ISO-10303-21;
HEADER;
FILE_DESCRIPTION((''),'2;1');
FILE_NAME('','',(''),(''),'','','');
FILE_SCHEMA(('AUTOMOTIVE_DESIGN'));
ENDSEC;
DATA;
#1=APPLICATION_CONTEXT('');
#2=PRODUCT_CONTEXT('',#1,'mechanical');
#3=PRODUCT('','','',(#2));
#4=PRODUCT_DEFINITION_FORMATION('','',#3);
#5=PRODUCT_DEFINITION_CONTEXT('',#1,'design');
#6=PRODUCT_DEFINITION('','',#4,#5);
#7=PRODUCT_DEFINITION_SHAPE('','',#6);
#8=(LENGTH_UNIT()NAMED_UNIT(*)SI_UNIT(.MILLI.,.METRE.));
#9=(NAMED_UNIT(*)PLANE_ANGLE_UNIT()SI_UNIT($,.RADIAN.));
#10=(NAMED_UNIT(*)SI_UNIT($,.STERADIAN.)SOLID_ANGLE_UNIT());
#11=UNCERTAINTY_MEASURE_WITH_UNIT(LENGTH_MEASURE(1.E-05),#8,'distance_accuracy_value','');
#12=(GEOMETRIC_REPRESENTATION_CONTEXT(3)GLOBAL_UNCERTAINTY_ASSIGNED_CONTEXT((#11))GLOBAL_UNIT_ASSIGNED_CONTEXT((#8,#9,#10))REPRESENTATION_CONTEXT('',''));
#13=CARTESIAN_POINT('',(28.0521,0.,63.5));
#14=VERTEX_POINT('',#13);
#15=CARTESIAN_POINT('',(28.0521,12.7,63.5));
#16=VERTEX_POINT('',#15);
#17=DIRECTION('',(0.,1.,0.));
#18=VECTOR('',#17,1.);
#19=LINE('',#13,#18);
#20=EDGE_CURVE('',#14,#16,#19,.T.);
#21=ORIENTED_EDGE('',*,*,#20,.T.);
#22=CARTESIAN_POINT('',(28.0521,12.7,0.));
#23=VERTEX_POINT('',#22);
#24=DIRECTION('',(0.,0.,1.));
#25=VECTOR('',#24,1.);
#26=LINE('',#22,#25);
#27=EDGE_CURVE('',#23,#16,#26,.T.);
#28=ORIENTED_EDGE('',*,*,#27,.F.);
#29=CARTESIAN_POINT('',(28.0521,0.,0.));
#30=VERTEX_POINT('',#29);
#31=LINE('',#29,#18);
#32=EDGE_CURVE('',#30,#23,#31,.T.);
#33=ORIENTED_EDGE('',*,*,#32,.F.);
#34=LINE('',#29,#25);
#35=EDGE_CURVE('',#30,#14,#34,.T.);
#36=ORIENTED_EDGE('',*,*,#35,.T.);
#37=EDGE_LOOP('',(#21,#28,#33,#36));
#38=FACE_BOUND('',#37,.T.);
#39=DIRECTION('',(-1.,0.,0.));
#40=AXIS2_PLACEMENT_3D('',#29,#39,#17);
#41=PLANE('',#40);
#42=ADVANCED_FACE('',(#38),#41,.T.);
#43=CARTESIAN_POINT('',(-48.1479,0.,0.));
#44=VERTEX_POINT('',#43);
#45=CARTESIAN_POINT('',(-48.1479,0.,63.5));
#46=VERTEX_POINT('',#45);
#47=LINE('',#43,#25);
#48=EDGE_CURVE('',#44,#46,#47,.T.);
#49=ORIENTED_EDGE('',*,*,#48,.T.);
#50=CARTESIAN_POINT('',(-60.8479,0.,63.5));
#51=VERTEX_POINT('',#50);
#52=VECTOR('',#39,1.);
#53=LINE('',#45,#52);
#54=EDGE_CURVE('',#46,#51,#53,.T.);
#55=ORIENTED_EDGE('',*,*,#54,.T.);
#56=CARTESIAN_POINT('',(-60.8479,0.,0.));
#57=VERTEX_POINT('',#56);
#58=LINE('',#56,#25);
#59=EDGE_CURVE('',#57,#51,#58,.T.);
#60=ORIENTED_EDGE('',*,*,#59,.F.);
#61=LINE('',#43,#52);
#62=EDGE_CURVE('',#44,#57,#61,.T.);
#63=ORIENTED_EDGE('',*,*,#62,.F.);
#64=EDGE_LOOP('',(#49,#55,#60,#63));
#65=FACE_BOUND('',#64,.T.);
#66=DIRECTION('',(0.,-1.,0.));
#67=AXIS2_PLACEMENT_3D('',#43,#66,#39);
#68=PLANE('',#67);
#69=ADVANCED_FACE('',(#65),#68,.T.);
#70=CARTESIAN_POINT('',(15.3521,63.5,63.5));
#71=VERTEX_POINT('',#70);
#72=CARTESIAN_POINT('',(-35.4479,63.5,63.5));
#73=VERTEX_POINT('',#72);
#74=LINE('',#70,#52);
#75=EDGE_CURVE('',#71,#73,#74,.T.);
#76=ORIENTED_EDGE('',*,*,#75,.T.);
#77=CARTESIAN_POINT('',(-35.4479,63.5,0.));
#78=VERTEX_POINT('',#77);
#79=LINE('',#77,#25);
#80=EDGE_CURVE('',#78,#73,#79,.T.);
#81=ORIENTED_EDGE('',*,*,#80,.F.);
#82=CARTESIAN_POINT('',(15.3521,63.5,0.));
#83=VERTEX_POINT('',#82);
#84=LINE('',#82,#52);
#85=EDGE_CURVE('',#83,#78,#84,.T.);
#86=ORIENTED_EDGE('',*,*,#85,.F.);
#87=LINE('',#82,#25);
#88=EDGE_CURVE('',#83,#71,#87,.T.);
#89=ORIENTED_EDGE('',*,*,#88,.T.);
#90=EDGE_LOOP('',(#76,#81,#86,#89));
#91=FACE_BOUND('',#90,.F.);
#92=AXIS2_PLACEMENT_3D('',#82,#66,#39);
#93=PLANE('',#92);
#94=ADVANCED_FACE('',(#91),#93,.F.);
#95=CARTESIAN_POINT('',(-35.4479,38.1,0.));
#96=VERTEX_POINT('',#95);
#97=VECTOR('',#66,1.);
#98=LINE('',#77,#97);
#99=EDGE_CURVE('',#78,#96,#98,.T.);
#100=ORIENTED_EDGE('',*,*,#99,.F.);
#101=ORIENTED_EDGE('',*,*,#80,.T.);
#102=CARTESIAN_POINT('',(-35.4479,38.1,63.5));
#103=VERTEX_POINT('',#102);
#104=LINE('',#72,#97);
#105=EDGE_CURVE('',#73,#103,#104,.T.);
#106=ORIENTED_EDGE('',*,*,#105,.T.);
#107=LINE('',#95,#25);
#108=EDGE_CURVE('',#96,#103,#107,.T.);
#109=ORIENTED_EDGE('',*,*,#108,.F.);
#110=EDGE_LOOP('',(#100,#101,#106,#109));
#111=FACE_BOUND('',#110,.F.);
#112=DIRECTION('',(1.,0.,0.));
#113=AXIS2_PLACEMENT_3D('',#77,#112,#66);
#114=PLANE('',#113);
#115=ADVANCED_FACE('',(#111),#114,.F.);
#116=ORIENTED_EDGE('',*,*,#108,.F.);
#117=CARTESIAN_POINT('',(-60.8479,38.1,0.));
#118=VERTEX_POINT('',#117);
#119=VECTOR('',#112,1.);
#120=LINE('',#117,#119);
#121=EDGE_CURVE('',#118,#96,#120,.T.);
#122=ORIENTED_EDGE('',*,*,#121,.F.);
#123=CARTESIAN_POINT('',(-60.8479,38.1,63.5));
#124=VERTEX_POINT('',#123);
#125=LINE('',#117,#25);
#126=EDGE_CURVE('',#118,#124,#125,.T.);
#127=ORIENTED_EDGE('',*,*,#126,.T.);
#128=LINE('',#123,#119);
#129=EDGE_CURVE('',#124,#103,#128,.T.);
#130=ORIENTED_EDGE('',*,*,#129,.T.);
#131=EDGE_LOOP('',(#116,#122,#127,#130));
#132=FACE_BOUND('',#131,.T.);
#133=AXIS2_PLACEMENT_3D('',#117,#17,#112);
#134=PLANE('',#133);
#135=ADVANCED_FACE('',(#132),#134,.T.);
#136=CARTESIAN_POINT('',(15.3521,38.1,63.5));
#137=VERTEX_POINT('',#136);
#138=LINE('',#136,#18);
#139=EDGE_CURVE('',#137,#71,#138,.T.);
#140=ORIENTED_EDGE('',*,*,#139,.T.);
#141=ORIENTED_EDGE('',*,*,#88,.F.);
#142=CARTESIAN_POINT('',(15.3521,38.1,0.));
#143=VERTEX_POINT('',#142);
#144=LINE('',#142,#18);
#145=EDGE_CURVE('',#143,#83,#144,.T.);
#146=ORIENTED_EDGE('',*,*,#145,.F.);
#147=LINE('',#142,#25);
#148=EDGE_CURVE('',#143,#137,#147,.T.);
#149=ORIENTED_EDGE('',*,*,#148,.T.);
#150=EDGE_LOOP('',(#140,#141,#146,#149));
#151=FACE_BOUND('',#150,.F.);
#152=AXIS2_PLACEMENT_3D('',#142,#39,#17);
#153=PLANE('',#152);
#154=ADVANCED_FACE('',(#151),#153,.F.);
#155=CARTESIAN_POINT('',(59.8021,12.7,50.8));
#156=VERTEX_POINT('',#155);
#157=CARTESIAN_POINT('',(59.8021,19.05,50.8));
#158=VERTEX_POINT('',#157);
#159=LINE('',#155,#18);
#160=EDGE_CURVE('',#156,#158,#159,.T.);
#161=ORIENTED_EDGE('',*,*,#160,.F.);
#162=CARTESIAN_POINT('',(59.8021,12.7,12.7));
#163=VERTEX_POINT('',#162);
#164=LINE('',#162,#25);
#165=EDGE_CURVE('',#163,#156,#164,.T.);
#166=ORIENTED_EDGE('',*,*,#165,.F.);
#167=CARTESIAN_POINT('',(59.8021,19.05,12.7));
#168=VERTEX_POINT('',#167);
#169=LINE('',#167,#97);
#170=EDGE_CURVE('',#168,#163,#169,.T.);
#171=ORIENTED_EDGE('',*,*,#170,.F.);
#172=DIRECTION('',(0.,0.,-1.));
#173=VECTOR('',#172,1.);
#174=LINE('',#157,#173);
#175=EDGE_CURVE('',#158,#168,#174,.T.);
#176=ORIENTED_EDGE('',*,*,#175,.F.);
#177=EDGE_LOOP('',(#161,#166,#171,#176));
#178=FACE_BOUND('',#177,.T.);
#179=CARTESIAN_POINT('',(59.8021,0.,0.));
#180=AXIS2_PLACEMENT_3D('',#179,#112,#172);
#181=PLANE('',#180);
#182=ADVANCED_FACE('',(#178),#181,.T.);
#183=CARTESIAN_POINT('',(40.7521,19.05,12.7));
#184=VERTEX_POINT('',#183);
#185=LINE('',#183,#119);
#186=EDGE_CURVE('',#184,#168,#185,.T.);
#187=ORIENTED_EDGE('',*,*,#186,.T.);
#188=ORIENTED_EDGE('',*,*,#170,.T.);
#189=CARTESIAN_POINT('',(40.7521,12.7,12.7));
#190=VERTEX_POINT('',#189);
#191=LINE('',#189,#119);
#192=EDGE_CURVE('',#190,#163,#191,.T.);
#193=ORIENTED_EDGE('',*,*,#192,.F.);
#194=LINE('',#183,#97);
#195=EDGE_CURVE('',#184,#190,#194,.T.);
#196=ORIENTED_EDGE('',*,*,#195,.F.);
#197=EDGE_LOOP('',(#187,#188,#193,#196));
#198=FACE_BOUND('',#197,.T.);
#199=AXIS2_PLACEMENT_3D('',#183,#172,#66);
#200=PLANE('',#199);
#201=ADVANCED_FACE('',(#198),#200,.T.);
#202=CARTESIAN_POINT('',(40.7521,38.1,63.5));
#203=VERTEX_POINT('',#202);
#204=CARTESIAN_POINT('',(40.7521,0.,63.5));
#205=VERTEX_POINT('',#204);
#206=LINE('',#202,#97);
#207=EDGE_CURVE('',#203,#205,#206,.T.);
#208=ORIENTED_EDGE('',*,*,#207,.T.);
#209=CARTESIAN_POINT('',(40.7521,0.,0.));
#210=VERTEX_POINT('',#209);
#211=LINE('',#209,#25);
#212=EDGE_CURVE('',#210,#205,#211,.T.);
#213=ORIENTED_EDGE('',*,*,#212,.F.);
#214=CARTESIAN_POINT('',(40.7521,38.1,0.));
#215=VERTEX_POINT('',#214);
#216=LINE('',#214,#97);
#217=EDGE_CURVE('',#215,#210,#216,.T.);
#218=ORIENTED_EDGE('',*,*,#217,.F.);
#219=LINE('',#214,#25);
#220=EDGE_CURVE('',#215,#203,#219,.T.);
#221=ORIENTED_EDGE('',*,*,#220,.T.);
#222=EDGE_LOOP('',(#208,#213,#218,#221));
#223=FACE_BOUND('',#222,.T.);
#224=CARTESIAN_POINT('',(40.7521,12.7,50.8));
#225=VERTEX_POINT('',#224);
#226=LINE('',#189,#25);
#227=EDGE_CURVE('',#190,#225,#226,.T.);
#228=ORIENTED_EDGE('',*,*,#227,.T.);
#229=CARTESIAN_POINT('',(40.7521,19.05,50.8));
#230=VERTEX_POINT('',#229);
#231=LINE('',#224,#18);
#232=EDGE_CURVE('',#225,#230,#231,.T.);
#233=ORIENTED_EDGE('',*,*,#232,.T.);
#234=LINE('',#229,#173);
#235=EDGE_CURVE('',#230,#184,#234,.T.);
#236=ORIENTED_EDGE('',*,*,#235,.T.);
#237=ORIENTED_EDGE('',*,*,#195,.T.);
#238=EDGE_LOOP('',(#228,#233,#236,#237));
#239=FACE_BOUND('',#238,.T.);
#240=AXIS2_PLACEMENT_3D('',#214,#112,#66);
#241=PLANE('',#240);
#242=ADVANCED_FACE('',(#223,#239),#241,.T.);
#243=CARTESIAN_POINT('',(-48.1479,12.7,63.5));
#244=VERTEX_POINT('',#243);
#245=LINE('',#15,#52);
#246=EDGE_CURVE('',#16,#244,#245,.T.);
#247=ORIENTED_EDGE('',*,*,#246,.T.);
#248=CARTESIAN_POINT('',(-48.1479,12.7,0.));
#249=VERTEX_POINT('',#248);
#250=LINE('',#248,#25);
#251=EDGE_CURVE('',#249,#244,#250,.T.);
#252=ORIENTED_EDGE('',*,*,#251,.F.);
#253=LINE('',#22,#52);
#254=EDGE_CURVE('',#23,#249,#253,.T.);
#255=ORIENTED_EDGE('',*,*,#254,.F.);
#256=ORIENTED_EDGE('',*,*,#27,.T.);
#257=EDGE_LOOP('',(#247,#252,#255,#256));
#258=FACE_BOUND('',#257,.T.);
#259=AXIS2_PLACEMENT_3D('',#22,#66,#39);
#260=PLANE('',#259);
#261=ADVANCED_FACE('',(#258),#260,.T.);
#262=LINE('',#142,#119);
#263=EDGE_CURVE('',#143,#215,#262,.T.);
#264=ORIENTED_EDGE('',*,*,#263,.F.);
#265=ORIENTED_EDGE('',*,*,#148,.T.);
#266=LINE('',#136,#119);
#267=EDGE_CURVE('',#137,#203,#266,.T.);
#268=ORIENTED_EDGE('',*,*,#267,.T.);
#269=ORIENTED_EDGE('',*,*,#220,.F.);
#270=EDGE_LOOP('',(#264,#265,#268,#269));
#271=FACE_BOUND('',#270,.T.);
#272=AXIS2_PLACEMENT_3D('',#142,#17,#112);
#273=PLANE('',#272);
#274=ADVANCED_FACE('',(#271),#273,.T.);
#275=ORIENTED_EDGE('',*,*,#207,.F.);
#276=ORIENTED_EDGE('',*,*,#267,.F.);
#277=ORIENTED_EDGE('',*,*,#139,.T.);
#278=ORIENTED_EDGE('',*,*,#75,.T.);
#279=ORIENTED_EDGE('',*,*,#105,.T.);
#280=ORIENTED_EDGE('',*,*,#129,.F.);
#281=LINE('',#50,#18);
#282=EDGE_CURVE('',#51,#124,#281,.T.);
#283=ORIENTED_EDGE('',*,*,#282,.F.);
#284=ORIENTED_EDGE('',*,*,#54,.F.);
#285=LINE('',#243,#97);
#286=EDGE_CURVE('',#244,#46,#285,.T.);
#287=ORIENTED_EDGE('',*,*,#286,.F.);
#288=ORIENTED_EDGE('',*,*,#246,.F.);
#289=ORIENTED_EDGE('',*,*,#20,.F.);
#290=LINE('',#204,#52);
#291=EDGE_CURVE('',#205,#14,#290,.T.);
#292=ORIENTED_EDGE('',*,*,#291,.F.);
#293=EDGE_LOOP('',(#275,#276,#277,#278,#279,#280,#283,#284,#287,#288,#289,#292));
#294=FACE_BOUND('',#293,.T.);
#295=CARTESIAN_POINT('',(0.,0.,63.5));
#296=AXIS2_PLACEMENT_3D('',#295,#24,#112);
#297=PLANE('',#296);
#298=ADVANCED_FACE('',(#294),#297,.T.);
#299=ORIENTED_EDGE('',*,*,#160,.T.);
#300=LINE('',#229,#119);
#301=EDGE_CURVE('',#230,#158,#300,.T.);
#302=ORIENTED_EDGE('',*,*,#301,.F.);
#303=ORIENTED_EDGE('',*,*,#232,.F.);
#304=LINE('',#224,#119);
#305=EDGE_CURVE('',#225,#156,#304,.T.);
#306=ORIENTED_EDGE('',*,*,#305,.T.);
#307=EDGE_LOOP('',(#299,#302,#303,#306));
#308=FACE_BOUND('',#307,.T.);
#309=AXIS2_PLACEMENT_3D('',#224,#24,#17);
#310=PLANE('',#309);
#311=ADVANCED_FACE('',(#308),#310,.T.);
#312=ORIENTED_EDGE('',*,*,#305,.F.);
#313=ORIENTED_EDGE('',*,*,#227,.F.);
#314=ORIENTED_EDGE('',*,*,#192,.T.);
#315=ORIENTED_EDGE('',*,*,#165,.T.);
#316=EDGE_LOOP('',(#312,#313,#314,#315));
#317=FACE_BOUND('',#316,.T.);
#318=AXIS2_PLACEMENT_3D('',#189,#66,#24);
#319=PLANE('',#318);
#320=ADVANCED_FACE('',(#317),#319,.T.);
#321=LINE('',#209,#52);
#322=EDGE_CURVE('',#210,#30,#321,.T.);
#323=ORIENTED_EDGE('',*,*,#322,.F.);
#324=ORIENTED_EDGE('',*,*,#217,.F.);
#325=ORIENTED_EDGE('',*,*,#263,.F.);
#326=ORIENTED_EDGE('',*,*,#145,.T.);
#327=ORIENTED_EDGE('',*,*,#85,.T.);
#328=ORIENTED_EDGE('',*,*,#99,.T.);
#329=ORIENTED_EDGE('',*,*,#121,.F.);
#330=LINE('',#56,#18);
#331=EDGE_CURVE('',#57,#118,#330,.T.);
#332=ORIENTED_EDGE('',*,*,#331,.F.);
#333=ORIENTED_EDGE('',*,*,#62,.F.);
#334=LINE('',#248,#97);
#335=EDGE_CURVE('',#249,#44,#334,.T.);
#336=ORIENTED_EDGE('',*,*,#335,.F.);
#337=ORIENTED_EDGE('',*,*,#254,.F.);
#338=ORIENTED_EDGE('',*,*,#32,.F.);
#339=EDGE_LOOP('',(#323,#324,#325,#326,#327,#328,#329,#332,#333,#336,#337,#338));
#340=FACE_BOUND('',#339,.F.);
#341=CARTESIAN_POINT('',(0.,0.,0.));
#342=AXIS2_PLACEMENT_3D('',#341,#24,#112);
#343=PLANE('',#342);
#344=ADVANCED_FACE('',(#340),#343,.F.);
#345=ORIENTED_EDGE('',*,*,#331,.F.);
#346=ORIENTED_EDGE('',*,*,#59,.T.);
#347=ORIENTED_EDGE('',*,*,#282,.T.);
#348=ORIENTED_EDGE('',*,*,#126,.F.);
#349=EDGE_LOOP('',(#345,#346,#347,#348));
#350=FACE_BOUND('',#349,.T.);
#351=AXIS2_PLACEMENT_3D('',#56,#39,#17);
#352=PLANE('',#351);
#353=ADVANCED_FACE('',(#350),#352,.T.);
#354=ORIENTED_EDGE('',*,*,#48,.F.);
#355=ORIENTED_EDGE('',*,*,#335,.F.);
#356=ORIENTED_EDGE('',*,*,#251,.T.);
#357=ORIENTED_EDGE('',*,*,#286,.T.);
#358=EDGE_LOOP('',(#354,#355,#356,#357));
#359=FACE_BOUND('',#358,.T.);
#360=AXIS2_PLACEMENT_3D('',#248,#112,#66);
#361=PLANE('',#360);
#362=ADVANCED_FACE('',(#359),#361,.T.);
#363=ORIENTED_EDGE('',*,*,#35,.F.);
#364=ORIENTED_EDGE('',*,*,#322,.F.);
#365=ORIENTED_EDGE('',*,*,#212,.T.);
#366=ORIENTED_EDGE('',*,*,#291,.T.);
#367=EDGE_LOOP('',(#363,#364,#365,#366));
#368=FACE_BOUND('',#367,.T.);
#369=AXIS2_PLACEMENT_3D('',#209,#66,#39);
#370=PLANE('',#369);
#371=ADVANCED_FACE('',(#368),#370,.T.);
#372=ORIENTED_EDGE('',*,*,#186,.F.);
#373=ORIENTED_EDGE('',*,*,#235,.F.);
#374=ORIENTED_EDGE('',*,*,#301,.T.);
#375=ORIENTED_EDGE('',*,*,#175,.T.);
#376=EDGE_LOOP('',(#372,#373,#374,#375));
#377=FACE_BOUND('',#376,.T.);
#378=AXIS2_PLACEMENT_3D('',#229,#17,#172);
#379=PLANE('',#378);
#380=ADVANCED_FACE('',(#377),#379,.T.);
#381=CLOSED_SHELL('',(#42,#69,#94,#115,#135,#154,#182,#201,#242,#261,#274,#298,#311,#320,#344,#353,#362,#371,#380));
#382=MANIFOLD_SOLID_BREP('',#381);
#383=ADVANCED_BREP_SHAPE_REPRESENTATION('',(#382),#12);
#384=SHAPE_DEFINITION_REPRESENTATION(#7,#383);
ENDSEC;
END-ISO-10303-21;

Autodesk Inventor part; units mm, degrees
ref_plane "YZ Plane" through (0, 0, 0) normal (1, 0, 0) x (0, 1, 0)
ref_plane "XZ Plane" through (0, 0, 0) normal (0, 1, 0) x (-1, 0, 0)
ref_plane "XY Plane" through (0, 0, 0) normal (0, 0, 1) x (1, 0, 0)
sketch "Sketch1" plane through (0, 0, 0) normal (0, 0, 1) x (1, 0, 0)
  line L0 (40.7521, 38.1) -> (40.7521, 0)
  line L1 (-60.8479, 0) -> (-60.8479, 38.1)
  line L2 (15.3521, 38.1) -> (15.3521, 63.5)
  line L3 (15.3521, 63.5) -> (-35.4479, 63.5)
  line L4 (-35.4479, 63.5) -> (-35.4479, 38.1)
  line L5 (28.0521, 0) -> (28.0521, 12.7)
  line L6 (28.0521, 12.7) -> (-48.1479, 12.7)
  line L7 (-48.1479, 12.7) -> (-48.1479, 0)
  line L8 (40.7521, 0) -> (28.0521, 0)
  line L9 (-48.1479, 0) -> (-60.8479, 0)
  line L10 (-60.8479, 38.1) -> (-35.4479, 38.1)
  line L11 (15.3521, 38.1) -> (40.7521, 38.1)
  point P0 (0, 0)
  dimension "d4" = 101.6
  dimension "d5" = 12.7
  dimension "d6" = 12.7
  dimension "d7" = 12.7
  dimension "d8" = 38.1
  dimension "d9" = 25.4
  dimension "d10" = 25.4
  dimension "d11" = 25.4
  dimension "d12" = 25.4
  dimension "d13" = 50.8
extrude "Extrusion1" add sketch "Sketch1" along normal blind 63.5
sketch "Sketch2" plane through (40.7521, 0, 0) normal (1, 0, 0) x (0, 0, -1)
  line L0 (-50.8, 19.05) -> (-12.7, 19.05)
  line L1 (-12.7, 19.05) -> (-12.7, 12.7)
  line L2 (-12.7, 12.7) -> (-50.8, 12.7)
  line L3 (-50.8, 12.7) -> (-50.8, 19.05)
  line L4 (0, 0) -> (0, 38.1) projected
  line L5 (0, 38.1) -> (-63.5, 38.1) projected
  dimension "d16" = 38.1
  dimension "d17" = 12.7
  dimension "d18" = 6.35
  dimension "d19" = 19.05
extrude "Extrusion2" add sketch "Sketch2" along normal blind 19.05
